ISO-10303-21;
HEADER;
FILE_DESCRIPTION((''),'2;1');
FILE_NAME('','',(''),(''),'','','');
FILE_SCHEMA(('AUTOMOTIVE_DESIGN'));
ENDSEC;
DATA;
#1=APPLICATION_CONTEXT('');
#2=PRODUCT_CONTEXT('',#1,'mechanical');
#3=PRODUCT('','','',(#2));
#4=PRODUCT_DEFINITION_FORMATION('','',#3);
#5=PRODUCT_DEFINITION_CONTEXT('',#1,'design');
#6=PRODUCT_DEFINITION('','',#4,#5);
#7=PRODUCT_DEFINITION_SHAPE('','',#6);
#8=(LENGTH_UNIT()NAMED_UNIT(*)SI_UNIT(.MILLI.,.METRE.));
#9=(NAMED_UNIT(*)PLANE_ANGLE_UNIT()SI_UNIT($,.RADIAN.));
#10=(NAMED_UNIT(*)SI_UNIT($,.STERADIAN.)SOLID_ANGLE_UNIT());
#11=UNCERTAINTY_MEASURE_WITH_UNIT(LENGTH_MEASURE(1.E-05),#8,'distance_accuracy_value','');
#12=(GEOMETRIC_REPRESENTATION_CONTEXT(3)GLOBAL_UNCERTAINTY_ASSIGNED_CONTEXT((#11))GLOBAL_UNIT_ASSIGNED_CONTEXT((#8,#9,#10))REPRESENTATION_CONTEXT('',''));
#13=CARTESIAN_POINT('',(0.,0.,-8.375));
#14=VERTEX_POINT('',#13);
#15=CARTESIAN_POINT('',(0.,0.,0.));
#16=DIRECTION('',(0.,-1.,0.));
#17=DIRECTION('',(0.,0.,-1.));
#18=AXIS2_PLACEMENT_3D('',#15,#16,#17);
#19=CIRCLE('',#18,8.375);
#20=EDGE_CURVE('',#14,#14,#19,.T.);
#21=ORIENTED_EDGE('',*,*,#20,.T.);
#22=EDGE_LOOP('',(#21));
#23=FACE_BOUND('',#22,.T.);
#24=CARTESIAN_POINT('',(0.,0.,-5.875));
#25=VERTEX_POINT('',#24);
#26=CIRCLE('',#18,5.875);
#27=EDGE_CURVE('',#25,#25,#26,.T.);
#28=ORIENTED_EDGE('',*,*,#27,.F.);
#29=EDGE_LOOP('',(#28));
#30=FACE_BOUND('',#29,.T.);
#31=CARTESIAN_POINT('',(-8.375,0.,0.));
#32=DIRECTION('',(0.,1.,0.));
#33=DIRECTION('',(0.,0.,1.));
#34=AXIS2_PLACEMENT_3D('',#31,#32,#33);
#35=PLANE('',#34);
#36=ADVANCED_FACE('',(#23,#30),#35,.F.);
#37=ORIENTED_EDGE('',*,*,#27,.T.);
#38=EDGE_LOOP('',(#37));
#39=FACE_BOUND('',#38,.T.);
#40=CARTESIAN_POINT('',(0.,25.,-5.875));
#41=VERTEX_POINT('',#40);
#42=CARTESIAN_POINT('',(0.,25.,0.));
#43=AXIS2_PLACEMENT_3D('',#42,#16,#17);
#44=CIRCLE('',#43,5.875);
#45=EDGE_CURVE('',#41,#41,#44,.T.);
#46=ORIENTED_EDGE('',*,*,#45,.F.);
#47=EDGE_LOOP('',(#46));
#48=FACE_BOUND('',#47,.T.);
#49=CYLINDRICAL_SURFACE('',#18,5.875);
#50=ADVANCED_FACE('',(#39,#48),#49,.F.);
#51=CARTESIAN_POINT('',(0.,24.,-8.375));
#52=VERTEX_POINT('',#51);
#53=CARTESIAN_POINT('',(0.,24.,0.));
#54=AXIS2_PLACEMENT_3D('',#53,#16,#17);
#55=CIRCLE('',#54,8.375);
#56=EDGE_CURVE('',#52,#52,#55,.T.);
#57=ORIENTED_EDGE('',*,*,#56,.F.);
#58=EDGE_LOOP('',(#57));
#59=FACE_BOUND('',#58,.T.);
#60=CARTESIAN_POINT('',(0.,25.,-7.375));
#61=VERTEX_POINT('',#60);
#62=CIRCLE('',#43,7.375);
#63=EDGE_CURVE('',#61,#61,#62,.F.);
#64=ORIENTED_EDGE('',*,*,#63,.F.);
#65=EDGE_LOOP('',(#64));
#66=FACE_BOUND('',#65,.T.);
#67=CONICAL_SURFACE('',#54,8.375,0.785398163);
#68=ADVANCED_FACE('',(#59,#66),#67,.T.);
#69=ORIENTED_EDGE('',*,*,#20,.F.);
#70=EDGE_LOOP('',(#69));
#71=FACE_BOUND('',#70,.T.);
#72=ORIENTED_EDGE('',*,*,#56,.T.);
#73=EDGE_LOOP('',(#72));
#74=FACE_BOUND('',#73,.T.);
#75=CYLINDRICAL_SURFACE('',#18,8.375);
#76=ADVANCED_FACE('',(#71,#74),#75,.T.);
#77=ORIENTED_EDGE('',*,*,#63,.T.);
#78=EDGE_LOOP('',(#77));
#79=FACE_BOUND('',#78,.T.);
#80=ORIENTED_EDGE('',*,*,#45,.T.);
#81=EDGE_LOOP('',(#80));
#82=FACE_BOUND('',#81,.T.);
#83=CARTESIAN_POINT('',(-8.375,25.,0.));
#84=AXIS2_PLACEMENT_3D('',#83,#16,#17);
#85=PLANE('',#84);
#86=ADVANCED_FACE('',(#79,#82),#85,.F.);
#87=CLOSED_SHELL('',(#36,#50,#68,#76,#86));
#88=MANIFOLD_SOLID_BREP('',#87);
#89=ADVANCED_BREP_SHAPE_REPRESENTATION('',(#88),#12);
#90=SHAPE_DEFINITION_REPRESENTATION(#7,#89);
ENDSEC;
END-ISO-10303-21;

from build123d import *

# Parameters (mm, degrees)
SKETCH2_W     = 2.5
SKETCH2_H     = 25
CHAMFER1_SIZE = 1


with BuildPart() as part:
    # Sketch2 → Revolve1 (revolve)
    with BuildSketch(Plane.XY):
        with Locations((-7.125, 12.5)):
            Rectangle(SKETCH2_W, SKETCH2_H)
    revolve(axis=Axis((0, 0, 0), (0, 1, 0)))

    # Chamfer1
    chamfer1_edges = [part.edges().sort_by_distance(p)[0] for p in [
        (8.375, 25, 0),
    ]]
    chamfer(chamfer1_edges, length=CHAMFER1_SIZE)


solid = part.part
